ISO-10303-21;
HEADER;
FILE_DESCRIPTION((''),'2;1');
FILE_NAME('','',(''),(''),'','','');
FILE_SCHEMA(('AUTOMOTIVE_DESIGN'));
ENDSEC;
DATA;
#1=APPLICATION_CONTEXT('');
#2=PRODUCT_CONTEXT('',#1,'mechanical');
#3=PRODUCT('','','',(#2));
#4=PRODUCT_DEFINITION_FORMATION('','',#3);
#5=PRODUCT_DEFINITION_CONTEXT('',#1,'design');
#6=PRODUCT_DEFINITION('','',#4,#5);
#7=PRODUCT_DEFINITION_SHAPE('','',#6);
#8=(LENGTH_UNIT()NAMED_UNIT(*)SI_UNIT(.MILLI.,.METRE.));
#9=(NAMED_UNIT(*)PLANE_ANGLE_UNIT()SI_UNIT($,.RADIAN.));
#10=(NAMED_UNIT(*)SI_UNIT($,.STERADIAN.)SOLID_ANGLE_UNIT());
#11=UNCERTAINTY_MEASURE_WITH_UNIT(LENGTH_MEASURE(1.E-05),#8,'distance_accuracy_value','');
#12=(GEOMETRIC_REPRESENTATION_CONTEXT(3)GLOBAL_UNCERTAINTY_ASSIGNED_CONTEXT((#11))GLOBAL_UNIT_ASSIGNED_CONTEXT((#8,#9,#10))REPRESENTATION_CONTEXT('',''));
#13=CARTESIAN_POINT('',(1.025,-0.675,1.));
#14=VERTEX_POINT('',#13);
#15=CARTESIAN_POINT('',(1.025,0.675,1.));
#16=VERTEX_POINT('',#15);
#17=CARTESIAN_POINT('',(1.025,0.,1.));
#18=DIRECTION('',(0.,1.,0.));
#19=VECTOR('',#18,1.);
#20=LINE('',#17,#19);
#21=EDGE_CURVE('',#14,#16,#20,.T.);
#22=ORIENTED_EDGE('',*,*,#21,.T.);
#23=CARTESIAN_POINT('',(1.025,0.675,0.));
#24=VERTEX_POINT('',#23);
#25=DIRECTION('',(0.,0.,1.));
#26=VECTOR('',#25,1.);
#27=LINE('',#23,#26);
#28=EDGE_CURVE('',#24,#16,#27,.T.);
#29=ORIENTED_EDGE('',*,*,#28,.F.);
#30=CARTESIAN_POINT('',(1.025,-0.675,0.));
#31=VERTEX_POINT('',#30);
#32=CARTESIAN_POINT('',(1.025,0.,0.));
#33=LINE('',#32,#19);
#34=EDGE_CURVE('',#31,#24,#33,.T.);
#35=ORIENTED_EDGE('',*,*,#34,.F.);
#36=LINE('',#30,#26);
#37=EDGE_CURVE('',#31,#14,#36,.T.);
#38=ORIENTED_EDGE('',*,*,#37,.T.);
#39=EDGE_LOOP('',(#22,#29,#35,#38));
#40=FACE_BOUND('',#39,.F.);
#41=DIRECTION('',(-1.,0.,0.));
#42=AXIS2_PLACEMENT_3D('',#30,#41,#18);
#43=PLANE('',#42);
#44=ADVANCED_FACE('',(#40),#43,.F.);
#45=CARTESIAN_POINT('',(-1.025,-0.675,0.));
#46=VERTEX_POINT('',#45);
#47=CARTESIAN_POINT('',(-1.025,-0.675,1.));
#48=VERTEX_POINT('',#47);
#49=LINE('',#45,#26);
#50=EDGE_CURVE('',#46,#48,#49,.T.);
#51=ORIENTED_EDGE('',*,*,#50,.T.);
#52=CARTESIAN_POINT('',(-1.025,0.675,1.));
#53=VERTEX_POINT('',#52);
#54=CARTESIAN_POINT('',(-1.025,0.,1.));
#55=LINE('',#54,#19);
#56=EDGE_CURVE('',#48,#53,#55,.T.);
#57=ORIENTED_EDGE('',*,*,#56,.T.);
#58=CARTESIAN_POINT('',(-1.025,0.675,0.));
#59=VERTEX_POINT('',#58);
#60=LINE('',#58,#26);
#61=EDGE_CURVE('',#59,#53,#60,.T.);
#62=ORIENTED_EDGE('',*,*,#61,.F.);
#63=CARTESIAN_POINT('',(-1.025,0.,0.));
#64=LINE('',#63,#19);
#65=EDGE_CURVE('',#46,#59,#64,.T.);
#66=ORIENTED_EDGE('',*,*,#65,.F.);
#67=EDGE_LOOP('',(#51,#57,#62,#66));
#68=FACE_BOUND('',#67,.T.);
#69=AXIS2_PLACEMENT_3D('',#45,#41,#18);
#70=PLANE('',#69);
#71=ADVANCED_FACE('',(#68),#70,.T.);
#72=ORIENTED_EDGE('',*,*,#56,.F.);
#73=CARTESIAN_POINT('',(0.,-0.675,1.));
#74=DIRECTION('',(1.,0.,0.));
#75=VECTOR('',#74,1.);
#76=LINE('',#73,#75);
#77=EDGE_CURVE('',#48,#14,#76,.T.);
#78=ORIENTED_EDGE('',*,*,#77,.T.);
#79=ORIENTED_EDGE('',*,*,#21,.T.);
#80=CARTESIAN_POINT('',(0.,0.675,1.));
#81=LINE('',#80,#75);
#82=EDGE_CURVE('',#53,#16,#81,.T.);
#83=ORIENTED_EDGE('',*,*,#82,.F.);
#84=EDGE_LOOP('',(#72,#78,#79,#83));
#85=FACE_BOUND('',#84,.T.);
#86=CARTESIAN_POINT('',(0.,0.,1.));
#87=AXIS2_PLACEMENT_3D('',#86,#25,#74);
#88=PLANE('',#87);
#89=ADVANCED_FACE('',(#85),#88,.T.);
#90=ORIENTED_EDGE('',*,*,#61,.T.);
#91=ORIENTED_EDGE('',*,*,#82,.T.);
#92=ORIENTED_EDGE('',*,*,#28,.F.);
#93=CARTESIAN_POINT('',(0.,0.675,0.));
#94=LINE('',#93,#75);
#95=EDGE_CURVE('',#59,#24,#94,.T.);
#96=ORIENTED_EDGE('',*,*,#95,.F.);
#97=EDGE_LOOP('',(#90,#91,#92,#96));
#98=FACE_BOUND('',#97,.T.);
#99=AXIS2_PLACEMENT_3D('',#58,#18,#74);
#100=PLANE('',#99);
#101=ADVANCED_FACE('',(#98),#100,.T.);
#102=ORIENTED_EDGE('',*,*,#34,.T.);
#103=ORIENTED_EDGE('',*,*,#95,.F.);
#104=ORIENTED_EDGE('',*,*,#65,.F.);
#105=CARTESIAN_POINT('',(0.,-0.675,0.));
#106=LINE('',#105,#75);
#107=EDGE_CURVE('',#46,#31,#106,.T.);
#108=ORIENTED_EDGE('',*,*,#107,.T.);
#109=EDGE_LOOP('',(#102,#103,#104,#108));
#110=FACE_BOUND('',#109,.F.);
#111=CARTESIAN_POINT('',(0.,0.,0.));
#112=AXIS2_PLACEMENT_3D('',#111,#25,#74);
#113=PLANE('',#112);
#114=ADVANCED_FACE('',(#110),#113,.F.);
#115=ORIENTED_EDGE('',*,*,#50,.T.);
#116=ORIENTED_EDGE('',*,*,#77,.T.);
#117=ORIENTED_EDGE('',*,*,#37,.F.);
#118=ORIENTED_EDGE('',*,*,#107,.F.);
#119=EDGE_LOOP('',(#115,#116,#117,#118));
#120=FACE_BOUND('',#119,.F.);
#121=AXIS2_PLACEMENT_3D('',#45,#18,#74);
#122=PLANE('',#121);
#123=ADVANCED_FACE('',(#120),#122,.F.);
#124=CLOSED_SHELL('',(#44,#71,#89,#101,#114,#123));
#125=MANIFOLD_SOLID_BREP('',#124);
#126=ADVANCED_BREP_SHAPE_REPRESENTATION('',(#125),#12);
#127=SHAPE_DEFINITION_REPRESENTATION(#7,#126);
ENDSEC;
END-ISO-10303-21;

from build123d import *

# Parameters (mm, degrees)
SKETCH_W  = 2.05
SKETCH_H  = 1.35
PAD_DEPTH = 1


with BuildPart() as part:
    # Sketch → Pad (new body)
    with BuildSketch(Plane.XY):
        Rectangle(SKETCH_W, SKETCH_H)
    extrude(amount=PAD_DEPTH)


solid = part.part
